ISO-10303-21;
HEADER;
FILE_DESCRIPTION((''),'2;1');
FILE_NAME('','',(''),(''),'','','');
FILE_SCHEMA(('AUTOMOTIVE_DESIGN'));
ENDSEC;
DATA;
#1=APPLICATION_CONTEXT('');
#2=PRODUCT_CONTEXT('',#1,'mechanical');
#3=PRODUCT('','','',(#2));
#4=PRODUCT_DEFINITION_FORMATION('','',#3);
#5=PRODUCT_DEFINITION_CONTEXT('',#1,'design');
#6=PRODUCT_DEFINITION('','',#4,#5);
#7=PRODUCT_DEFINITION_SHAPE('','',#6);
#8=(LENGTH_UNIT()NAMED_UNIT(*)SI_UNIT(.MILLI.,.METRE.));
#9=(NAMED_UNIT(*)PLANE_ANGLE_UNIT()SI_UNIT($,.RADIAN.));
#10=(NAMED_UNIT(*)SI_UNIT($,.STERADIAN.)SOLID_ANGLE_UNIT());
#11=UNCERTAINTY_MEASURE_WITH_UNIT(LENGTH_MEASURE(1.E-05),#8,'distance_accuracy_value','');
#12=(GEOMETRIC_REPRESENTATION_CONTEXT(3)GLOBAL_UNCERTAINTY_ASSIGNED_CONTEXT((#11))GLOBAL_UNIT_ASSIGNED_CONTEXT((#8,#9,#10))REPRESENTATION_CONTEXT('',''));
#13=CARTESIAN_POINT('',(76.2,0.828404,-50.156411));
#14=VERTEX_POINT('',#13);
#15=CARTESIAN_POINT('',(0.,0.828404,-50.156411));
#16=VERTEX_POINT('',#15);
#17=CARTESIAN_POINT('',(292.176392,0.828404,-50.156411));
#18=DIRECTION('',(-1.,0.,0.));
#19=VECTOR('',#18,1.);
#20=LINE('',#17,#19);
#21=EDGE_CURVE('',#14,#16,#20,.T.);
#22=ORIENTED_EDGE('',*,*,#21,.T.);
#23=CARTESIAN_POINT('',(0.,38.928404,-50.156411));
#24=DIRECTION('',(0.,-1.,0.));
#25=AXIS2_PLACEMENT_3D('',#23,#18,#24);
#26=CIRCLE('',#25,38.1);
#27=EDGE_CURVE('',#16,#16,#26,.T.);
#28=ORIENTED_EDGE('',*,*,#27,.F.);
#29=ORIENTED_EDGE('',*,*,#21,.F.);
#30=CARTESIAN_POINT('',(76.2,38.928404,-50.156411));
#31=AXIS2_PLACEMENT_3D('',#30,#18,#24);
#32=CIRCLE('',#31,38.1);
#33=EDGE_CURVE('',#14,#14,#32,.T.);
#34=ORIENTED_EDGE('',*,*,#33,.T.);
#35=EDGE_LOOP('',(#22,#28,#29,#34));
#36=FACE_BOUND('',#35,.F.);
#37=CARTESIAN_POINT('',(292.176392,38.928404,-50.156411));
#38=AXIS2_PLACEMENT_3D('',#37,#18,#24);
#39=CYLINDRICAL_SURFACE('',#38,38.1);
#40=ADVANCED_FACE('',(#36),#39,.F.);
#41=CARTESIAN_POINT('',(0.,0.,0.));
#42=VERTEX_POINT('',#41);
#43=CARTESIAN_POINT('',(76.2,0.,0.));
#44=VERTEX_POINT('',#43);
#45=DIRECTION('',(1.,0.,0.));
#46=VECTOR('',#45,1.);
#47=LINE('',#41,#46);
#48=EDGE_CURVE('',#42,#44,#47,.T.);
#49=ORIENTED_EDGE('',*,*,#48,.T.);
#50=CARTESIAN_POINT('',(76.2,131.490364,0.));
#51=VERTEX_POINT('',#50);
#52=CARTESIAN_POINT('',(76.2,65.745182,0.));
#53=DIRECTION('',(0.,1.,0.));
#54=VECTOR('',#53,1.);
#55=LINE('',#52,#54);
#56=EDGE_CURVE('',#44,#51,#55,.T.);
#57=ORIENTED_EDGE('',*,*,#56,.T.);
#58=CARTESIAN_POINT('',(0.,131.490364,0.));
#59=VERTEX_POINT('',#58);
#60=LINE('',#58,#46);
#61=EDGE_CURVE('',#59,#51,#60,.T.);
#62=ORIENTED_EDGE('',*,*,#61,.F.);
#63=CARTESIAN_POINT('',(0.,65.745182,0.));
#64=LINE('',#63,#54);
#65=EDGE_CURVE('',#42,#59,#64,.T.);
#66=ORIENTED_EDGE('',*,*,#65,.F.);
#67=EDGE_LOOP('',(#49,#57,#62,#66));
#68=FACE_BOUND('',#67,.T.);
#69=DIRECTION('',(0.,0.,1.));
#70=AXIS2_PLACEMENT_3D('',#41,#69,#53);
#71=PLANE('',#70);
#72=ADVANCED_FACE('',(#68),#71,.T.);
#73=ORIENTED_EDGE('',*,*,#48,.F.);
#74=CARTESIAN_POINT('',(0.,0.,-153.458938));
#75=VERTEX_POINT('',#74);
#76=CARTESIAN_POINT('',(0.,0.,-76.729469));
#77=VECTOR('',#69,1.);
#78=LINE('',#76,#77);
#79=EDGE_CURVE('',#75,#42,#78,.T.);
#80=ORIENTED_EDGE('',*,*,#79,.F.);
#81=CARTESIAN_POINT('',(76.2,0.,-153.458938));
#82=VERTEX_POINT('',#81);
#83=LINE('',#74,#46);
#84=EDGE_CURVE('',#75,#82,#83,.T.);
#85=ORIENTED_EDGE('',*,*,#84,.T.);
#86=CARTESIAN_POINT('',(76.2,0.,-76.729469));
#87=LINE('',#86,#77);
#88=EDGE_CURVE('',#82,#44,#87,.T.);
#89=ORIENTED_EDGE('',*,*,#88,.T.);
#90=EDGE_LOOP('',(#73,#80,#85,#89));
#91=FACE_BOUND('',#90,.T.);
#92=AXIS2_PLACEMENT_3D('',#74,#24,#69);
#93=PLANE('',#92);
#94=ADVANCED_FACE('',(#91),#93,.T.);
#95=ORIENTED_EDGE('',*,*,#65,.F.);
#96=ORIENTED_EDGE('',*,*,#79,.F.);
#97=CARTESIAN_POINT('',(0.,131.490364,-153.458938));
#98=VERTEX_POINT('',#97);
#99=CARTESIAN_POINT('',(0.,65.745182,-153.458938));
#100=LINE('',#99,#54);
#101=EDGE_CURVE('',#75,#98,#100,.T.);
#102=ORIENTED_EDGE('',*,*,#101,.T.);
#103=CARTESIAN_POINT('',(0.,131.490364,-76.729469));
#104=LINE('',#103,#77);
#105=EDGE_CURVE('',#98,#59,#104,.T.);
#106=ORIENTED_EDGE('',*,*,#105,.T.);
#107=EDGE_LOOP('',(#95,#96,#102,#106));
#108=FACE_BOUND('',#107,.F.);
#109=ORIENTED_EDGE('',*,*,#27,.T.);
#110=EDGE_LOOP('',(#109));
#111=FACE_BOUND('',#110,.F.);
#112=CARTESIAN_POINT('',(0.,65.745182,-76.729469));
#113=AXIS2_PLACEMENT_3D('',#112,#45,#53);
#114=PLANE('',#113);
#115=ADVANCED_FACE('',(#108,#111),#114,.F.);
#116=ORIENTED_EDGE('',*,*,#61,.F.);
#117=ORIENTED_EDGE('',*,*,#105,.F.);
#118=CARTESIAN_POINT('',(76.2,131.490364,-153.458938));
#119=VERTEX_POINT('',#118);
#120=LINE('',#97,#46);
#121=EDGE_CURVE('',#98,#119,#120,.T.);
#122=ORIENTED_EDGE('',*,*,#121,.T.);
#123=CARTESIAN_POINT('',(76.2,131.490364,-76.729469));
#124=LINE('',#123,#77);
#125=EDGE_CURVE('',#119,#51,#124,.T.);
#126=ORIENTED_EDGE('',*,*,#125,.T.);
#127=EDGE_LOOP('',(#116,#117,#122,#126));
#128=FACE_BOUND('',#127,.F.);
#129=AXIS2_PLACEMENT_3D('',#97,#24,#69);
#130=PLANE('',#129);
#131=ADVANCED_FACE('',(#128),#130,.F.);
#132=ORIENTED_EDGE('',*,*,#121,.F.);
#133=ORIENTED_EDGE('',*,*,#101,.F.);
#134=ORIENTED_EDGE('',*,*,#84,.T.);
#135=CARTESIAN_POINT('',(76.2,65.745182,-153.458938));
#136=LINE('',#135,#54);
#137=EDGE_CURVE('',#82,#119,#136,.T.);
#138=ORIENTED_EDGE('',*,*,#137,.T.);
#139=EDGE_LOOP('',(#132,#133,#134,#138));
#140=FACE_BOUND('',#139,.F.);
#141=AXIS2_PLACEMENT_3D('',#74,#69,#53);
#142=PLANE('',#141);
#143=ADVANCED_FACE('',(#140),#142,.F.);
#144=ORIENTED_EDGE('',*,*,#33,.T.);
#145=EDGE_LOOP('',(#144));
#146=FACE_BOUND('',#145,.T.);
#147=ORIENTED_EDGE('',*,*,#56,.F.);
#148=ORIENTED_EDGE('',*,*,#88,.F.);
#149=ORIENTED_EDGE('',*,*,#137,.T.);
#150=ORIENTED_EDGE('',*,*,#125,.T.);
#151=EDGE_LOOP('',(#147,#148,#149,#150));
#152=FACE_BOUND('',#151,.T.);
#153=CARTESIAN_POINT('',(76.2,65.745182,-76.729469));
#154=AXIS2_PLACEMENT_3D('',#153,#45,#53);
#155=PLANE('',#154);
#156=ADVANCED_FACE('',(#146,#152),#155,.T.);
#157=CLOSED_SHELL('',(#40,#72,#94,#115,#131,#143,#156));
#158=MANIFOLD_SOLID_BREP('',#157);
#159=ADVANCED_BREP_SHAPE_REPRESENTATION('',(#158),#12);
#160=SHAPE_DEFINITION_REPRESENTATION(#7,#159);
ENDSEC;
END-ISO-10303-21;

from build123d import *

# Parameters (mm, degrees)
F0_W     = 131.490365
F0_H     = 153.458938
F1_DEPTH = 76.2
F3_D     = 76.2


with BuildPart() as f1:
    # F0 (on Right) → F1 (new body)
    with BuildSketch(Plane.YZ):
        with Locations((65.745182, -76.729469)):
            Rectangle(F0_W, F0_H)
    extrude(amount=F1_DEPTH)

    # F3 (through all)
    with Locations(Plane.YZ.offset(76.2)):
        with Locations((38.928404, -50.156411)):
            Hole(F3_D / 2)


solid = f1.part
